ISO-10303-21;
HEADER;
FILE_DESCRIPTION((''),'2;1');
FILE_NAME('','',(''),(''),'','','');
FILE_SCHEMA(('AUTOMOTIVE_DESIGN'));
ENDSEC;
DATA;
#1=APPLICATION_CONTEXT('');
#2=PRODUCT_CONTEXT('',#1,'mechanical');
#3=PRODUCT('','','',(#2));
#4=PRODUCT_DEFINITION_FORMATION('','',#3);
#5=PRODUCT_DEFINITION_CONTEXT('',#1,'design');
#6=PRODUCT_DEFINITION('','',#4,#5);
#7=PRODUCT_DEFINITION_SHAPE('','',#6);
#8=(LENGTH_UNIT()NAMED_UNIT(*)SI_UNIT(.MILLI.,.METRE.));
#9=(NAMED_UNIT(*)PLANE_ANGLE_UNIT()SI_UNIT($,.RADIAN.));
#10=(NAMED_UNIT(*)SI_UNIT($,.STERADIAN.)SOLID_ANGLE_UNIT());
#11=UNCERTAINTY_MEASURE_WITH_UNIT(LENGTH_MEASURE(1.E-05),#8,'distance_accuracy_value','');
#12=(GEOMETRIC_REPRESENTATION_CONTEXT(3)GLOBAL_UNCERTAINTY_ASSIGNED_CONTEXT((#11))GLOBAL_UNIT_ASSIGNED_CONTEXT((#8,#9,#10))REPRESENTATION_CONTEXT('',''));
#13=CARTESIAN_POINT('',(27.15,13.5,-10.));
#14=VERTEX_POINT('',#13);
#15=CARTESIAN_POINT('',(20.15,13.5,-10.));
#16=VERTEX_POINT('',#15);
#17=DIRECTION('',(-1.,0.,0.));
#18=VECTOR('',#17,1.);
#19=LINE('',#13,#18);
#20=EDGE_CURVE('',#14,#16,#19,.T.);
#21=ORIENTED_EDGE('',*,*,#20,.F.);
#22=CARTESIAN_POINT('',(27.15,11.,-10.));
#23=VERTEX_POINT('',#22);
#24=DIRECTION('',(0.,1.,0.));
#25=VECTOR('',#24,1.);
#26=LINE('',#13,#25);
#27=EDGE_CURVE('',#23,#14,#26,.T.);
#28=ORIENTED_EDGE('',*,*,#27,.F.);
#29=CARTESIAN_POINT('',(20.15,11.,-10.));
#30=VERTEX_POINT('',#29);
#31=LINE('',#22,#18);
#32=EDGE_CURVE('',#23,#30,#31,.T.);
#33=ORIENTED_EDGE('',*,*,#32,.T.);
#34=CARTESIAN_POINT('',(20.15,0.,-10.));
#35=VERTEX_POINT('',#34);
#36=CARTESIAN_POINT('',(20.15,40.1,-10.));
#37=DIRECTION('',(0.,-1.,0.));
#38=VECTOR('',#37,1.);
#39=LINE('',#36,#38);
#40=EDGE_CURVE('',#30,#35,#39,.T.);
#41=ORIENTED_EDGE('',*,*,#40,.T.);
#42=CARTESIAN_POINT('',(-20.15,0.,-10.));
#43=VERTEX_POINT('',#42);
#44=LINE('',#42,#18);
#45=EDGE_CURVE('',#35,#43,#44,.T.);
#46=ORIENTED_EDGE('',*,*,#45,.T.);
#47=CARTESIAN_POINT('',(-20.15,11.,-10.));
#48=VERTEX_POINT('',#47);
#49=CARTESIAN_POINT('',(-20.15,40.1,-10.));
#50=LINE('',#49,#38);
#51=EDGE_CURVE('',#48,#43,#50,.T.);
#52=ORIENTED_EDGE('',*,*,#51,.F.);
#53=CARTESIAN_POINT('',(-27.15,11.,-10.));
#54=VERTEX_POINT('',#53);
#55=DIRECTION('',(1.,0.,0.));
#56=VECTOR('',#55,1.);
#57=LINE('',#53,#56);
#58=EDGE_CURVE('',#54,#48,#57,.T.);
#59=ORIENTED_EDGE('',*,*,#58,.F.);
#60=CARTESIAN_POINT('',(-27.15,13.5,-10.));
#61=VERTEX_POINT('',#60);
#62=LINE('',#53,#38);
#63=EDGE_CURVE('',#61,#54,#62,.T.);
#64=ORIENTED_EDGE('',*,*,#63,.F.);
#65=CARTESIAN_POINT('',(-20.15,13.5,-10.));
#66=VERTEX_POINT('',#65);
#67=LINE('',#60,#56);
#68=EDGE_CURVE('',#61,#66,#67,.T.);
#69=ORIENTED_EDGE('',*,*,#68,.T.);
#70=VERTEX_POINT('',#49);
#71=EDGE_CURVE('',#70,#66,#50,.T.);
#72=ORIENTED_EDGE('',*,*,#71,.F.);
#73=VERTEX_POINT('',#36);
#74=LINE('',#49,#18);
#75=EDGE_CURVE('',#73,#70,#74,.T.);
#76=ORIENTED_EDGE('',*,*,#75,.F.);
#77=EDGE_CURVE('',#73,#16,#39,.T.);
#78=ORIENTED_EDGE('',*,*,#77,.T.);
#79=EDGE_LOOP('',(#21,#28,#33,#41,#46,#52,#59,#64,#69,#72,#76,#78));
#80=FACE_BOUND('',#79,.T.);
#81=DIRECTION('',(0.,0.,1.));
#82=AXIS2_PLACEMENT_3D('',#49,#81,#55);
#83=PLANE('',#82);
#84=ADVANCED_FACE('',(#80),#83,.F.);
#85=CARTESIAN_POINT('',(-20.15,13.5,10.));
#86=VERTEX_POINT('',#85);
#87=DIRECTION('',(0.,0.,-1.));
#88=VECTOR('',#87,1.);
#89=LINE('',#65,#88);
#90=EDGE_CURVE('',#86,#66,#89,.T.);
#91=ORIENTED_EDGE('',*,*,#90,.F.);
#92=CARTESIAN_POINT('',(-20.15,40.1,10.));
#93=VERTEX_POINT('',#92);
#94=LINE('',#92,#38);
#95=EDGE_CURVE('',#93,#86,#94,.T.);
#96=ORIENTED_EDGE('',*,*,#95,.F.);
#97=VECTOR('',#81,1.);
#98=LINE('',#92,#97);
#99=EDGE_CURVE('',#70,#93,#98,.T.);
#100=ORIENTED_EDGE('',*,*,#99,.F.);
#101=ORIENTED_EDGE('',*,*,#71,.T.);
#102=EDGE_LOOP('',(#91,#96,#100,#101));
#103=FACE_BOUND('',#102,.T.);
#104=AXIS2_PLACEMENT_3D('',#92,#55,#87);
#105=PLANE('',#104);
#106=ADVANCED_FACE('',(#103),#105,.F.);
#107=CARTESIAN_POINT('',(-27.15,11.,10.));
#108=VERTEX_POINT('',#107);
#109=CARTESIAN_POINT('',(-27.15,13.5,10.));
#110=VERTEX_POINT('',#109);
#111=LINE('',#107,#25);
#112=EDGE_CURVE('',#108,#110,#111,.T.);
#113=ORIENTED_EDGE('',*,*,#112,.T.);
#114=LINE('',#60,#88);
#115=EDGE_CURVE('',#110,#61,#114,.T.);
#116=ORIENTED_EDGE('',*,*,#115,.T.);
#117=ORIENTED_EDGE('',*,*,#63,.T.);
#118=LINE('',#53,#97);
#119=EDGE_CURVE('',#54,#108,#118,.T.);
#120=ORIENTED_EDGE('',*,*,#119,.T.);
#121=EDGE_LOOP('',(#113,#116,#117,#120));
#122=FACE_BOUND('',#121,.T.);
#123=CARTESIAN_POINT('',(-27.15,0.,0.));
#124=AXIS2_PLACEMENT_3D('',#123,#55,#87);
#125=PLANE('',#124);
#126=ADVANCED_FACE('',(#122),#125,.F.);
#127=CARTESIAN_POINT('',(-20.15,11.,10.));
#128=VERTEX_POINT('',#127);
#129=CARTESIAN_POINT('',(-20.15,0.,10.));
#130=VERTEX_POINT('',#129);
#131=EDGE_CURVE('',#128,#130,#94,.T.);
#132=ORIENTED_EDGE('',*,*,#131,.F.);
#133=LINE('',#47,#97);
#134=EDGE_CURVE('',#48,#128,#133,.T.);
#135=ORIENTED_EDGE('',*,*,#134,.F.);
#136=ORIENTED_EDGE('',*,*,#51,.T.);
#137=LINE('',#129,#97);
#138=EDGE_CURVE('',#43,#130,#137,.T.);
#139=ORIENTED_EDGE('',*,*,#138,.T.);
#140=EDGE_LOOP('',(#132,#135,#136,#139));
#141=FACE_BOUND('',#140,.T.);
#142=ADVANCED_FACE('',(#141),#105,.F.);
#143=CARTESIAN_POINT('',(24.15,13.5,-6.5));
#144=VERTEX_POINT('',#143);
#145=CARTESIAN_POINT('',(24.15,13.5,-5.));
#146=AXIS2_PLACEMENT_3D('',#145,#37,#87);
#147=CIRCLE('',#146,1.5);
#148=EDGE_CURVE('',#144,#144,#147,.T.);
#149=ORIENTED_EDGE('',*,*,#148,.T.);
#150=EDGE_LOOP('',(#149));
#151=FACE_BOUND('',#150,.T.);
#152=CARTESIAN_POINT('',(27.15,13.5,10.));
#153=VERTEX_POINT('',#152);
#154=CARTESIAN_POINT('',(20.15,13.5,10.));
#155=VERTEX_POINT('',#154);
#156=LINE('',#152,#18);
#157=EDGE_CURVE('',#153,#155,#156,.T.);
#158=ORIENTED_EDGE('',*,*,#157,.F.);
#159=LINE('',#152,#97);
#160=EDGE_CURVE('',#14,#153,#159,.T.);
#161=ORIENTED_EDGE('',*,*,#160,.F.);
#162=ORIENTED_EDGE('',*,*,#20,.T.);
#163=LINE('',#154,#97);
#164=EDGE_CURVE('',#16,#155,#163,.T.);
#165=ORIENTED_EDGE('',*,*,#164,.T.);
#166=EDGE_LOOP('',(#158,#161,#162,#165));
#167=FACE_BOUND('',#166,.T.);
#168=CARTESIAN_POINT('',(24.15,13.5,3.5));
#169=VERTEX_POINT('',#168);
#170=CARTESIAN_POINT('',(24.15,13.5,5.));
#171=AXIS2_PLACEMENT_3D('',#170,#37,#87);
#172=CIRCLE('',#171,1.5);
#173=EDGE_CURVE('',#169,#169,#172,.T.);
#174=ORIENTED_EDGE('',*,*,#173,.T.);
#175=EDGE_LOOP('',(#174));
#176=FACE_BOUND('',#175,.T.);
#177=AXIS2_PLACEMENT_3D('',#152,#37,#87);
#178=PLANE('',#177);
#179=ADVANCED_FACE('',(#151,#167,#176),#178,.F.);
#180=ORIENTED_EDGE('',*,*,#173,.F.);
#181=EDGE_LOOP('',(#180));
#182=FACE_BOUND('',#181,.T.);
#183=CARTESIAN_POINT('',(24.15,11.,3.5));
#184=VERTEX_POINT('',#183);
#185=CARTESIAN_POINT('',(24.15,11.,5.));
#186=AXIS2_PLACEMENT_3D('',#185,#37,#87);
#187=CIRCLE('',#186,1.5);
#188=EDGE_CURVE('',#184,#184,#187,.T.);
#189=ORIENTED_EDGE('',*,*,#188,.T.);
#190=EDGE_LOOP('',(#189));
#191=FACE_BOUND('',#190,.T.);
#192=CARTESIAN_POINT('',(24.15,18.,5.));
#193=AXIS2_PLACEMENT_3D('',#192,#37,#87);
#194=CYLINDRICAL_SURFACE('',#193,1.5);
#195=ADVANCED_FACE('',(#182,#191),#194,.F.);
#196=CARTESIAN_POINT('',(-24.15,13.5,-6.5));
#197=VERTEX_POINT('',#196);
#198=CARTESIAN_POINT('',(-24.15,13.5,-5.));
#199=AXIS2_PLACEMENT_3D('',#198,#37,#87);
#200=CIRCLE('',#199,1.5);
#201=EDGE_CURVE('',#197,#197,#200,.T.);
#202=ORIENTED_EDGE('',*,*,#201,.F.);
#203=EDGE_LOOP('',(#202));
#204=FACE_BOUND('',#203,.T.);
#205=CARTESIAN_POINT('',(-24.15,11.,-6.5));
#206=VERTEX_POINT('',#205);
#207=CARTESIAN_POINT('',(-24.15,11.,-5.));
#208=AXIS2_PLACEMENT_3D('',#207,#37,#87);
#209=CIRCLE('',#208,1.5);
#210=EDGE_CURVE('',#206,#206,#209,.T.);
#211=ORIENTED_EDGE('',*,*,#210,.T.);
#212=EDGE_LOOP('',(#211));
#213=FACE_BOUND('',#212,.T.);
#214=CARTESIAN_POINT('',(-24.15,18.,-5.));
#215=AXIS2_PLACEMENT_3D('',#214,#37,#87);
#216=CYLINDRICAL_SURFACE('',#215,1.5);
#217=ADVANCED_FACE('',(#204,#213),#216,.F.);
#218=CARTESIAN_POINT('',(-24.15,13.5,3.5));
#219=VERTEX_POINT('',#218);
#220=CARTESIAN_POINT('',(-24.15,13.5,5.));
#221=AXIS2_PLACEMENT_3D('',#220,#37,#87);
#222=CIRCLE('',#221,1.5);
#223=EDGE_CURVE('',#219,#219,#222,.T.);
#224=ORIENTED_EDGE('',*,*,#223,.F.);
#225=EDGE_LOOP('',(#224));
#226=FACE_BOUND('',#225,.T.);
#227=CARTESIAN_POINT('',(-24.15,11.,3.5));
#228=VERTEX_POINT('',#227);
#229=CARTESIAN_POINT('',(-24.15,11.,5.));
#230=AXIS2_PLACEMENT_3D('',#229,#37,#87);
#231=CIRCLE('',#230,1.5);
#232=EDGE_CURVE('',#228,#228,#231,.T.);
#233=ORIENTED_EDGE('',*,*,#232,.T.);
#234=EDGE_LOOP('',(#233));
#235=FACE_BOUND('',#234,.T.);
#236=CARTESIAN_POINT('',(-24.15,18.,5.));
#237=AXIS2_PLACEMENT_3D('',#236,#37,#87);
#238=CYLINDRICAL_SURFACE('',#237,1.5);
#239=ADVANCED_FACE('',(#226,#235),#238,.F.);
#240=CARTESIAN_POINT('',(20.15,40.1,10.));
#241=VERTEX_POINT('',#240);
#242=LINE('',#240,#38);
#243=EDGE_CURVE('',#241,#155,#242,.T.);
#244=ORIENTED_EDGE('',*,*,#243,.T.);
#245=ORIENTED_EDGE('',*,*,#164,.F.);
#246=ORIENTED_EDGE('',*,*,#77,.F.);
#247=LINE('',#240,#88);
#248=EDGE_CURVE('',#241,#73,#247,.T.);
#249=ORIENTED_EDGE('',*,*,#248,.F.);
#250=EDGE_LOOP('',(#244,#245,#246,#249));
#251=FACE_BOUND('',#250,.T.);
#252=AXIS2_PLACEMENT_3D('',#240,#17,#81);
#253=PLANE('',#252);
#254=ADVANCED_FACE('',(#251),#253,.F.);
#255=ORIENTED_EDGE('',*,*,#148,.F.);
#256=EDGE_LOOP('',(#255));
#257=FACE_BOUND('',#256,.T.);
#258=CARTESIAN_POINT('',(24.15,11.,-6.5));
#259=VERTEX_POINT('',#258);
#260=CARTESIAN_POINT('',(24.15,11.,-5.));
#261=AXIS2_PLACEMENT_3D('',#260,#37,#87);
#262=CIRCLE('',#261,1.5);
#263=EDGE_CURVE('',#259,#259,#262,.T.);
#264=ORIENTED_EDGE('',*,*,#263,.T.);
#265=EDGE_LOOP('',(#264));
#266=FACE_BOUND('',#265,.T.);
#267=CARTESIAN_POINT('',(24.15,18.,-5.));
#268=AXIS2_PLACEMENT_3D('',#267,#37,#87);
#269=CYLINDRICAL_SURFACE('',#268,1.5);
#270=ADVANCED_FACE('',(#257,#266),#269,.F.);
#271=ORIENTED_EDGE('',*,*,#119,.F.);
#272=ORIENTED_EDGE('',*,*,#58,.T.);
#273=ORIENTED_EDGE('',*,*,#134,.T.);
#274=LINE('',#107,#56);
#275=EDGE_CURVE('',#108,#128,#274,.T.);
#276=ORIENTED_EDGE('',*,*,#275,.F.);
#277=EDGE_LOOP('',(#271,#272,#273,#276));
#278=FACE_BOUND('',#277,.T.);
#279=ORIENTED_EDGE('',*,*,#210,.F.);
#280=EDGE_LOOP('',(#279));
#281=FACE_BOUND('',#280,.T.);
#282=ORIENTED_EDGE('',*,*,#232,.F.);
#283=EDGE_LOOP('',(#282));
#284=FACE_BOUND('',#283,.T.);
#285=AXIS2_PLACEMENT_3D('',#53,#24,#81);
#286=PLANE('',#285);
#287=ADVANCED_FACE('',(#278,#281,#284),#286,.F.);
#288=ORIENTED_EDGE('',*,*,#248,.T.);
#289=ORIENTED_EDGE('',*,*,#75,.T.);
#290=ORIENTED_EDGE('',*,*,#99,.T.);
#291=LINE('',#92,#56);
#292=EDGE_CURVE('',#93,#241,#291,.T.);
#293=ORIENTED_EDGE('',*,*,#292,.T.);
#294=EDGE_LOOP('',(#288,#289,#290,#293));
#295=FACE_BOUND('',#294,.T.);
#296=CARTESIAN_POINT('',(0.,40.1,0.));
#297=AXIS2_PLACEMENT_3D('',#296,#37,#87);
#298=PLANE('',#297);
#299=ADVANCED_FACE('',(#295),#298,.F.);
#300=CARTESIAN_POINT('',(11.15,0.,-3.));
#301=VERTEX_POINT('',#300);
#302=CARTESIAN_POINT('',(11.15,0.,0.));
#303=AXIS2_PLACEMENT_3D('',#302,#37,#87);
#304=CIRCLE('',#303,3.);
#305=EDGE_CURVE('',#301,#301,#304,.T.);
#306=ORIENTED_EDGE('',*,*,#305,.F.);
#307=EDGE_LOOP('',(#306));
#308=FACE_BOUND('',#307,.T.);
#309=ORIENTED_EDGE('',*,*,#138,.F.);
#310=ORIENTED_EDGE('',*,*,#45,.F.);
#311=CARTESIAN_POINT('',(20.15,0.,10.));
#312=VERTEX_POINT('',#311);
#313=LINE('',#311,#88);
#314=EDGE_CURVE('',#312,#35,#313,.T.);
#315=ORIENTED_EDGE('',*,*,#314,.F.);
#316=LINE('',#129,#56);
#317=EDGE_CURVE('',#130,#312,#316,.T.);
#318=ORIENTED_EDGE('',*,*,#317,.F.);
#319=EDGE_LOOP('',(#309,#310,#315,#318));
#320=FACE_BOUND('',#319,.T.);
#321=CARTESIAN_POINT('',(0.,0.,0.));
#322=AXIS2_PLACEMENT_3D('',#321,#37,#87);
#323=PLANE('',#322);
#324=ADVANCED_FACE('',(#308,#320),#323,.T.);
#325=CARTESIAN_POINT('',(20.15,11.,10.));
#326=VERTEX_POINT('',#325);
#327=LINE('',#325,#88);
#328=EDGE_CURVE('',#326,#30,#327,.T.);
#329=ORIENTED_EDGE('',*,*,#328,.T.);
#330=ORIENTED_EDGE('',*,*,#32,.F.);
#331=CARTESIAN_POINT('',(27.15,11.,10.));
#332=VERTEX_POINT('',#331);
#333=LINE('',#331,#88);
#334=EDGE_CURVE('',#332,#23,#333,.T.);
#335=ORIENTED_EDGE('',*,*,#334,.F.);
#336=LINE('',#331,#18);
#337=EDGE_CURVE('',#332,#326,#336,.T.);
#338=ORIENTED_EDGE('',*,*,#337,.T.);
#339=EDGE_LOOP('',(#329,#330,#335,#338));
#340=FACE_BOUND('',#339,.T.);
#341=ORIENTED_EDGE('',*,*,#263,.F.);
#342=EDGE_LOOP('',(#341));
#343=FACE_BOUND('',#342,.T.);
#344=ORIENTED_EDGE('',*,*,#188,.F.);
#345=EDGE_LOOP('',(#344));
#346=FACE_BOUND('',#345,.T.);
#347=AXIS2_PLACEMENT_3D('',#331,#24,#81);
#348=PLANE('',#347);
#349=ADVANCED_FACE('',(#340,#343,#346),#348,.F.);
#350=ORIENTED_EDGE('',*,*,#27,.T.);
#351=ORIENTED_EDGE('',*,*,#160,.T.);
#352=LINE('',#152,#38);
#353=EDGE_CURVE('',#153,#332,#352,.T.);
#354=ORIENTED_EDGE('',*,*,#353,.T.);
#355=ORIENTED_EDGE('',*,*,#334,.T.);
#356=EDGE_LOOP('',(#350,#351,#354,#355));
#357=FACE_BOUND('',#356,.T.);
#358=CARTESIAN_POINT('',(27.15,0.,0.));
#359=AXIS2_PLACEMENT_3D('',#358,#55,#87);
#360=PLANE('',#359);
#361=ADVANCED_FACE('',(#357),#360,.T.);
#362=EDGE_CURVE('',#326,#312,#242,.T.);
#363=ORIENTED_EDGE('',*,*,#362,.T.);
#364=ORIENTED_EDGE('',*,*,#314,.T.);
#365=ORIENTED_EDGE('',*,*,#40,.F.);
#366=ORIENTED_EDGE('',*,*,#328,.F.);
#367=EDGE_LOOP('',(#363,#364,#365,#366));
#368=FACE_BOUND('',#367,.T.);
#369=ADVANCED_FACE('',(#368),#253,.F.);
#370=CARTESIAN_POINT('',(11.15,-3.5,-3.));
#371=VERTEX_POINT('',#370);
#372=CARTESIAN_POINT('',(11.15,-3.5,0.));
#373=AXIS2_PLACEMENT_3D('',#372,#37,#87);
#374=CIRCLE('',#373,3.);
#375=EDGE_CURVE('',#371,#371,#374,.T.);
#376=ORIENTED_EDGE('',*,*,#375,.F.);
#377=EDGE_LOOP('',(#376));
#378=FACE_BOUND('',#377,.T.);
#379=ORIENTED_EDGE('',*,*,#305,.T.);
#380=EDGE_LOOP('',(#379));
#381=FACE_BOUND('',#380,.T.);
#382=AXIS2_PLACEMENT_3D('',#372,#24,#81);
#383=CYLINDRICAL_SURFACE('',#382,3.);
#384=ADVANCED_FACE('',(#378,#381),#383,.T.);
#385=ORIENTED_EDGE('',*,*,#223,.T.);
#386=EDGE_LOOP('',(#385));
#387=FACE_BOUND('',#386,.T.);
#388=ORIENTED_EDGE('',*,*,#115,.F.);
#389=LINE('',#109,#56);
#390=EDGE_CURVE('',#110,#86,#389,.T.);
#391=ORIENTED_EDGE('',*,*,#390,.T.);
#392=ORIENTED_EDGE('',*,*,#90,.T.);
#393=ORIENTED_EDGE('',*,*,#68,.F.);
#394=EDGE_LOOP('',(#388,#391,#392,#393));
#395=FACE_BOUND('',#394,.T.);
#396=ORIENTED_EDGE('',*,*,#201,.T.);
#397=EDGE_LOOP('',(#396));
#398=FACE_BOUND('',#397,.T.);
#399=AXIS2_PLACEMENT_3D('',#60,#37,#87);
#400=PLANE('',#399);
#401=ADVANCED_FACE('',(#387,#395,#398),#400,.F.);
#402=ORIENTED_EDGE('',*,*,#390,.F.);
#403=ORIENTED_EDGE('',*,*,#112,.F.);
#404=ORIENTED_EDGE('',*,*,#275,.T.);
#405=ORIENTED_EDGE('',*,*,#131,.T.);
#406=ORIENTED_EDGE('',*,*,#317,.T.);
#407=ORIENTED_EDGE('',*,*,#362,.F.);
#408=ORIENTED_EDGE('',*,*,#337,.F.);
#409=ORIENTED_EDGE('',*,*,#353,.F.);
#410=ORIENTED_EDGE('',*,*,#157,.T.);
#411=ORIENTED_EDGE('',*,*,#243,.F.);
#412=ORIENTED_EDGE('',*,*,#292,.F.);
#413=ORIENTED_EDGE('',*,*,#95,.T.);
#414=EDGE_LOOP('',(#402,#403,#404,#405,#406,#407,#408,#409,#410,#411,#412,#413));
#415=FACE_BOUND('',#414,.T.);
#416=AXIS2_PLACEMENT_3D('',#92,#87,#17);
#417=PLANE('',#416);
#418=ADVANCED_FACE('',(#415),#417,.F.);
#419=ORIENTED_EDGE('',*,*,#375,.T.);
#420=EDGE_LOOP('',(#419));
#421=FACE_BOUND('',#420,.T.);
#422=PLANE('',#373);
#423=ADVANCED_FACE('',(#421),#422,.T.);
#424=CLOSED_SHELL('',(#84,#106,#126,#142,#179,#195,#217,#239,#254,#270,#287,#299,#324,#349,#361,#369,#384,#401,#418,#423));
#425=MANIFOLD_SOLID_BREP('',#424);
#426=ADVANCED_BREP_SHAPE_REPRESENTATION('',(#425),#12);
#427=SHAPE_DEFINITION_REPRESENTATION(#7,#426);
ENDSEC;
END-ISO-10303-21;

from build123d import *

# Parameters (mm, degrees)
SKETCH1_W           = 40.3
SKETCH1_H           = 20
BOSS_EXTRUDE1_DEPTH = 40.1
SKETCH2_W           = 20
SKETCH2_H           = 2.5
BOSS_EXTRUDE2_DEPTH = 7
SKETCH3_W           = 20
SKETCH3_H           = 2.5
BOSS_EXTRUDE3_DEPTH = 7
SKETCH4_R           = 1.5
CUT_EXTRUDE1_DEPTH  = 7
SKETCH5_R           = 3
BOSS_EXTRUDE4_DEPTH = 3.5


with BuildPart() as part:
    # Sketch1 → Boss-Extrude1 (new body)
    with BuildSketch(Plane(origin=(0, 0, 0), x_dir=(1, 0, 0), z_dir=(0, 1, 0))):
        Rectangle(SKETCH1_W, SKETCH1_H)
    extrude(amount=BOSS_EXTRUDE1_DEPTH)

    # Sketch2 → Boss-Extrude2 (add)
    with BuildSketch(Plane(origin=(20.15, 0, 0), x_dir=(0, 0, -1), z_dir=(1, 0, 0))):
        with Locations((0, 12.25)):
            Rectangle(SKETCH2_W, SKETCH2_H)
    extrude(amount=BOSS_EXTRUDE2_DEPTH)

    # Sketch3 → Boss-Extrude3 (add)
    with BuildSketch(Plane.ZY.offset(20.15)):
        with Locations((0, 12.25)):
            Rectangle(SKETCH3_W, SKETCH3_H)
    extrude(amount=BOSS_EXTRUDE3_DEPTH)

    # Sketch4 → Cut-Extrude1 (cut)
    with BuildSketch(Plane.XZ.offset(-11)):
        with Locations((-24.15, 5)):
            Circle(SKETCH4_R)
        with Locations((-24.15, -5)):
            Circle(SKETCH4_R)
        with Locations((24.15, 5)):
            Circle(SKETCH4_R)
        with Locations((24.15, -5)):
            Circle(SKETCH4_R)
    extrude(amount=-CUT_EXTRUDE1_DEPTH, mode=Mode.SUBTRACT)

    # Sketch5 → Boss-Extrude4 (add)
    with BuildSketch(Plane.XZ):
        with Locations((11.15, 0)):
            Circle(SKETCH5_R)
    extrude(amount=BOSS_EXTRUDE4_DEPTH)


solid = part.part
